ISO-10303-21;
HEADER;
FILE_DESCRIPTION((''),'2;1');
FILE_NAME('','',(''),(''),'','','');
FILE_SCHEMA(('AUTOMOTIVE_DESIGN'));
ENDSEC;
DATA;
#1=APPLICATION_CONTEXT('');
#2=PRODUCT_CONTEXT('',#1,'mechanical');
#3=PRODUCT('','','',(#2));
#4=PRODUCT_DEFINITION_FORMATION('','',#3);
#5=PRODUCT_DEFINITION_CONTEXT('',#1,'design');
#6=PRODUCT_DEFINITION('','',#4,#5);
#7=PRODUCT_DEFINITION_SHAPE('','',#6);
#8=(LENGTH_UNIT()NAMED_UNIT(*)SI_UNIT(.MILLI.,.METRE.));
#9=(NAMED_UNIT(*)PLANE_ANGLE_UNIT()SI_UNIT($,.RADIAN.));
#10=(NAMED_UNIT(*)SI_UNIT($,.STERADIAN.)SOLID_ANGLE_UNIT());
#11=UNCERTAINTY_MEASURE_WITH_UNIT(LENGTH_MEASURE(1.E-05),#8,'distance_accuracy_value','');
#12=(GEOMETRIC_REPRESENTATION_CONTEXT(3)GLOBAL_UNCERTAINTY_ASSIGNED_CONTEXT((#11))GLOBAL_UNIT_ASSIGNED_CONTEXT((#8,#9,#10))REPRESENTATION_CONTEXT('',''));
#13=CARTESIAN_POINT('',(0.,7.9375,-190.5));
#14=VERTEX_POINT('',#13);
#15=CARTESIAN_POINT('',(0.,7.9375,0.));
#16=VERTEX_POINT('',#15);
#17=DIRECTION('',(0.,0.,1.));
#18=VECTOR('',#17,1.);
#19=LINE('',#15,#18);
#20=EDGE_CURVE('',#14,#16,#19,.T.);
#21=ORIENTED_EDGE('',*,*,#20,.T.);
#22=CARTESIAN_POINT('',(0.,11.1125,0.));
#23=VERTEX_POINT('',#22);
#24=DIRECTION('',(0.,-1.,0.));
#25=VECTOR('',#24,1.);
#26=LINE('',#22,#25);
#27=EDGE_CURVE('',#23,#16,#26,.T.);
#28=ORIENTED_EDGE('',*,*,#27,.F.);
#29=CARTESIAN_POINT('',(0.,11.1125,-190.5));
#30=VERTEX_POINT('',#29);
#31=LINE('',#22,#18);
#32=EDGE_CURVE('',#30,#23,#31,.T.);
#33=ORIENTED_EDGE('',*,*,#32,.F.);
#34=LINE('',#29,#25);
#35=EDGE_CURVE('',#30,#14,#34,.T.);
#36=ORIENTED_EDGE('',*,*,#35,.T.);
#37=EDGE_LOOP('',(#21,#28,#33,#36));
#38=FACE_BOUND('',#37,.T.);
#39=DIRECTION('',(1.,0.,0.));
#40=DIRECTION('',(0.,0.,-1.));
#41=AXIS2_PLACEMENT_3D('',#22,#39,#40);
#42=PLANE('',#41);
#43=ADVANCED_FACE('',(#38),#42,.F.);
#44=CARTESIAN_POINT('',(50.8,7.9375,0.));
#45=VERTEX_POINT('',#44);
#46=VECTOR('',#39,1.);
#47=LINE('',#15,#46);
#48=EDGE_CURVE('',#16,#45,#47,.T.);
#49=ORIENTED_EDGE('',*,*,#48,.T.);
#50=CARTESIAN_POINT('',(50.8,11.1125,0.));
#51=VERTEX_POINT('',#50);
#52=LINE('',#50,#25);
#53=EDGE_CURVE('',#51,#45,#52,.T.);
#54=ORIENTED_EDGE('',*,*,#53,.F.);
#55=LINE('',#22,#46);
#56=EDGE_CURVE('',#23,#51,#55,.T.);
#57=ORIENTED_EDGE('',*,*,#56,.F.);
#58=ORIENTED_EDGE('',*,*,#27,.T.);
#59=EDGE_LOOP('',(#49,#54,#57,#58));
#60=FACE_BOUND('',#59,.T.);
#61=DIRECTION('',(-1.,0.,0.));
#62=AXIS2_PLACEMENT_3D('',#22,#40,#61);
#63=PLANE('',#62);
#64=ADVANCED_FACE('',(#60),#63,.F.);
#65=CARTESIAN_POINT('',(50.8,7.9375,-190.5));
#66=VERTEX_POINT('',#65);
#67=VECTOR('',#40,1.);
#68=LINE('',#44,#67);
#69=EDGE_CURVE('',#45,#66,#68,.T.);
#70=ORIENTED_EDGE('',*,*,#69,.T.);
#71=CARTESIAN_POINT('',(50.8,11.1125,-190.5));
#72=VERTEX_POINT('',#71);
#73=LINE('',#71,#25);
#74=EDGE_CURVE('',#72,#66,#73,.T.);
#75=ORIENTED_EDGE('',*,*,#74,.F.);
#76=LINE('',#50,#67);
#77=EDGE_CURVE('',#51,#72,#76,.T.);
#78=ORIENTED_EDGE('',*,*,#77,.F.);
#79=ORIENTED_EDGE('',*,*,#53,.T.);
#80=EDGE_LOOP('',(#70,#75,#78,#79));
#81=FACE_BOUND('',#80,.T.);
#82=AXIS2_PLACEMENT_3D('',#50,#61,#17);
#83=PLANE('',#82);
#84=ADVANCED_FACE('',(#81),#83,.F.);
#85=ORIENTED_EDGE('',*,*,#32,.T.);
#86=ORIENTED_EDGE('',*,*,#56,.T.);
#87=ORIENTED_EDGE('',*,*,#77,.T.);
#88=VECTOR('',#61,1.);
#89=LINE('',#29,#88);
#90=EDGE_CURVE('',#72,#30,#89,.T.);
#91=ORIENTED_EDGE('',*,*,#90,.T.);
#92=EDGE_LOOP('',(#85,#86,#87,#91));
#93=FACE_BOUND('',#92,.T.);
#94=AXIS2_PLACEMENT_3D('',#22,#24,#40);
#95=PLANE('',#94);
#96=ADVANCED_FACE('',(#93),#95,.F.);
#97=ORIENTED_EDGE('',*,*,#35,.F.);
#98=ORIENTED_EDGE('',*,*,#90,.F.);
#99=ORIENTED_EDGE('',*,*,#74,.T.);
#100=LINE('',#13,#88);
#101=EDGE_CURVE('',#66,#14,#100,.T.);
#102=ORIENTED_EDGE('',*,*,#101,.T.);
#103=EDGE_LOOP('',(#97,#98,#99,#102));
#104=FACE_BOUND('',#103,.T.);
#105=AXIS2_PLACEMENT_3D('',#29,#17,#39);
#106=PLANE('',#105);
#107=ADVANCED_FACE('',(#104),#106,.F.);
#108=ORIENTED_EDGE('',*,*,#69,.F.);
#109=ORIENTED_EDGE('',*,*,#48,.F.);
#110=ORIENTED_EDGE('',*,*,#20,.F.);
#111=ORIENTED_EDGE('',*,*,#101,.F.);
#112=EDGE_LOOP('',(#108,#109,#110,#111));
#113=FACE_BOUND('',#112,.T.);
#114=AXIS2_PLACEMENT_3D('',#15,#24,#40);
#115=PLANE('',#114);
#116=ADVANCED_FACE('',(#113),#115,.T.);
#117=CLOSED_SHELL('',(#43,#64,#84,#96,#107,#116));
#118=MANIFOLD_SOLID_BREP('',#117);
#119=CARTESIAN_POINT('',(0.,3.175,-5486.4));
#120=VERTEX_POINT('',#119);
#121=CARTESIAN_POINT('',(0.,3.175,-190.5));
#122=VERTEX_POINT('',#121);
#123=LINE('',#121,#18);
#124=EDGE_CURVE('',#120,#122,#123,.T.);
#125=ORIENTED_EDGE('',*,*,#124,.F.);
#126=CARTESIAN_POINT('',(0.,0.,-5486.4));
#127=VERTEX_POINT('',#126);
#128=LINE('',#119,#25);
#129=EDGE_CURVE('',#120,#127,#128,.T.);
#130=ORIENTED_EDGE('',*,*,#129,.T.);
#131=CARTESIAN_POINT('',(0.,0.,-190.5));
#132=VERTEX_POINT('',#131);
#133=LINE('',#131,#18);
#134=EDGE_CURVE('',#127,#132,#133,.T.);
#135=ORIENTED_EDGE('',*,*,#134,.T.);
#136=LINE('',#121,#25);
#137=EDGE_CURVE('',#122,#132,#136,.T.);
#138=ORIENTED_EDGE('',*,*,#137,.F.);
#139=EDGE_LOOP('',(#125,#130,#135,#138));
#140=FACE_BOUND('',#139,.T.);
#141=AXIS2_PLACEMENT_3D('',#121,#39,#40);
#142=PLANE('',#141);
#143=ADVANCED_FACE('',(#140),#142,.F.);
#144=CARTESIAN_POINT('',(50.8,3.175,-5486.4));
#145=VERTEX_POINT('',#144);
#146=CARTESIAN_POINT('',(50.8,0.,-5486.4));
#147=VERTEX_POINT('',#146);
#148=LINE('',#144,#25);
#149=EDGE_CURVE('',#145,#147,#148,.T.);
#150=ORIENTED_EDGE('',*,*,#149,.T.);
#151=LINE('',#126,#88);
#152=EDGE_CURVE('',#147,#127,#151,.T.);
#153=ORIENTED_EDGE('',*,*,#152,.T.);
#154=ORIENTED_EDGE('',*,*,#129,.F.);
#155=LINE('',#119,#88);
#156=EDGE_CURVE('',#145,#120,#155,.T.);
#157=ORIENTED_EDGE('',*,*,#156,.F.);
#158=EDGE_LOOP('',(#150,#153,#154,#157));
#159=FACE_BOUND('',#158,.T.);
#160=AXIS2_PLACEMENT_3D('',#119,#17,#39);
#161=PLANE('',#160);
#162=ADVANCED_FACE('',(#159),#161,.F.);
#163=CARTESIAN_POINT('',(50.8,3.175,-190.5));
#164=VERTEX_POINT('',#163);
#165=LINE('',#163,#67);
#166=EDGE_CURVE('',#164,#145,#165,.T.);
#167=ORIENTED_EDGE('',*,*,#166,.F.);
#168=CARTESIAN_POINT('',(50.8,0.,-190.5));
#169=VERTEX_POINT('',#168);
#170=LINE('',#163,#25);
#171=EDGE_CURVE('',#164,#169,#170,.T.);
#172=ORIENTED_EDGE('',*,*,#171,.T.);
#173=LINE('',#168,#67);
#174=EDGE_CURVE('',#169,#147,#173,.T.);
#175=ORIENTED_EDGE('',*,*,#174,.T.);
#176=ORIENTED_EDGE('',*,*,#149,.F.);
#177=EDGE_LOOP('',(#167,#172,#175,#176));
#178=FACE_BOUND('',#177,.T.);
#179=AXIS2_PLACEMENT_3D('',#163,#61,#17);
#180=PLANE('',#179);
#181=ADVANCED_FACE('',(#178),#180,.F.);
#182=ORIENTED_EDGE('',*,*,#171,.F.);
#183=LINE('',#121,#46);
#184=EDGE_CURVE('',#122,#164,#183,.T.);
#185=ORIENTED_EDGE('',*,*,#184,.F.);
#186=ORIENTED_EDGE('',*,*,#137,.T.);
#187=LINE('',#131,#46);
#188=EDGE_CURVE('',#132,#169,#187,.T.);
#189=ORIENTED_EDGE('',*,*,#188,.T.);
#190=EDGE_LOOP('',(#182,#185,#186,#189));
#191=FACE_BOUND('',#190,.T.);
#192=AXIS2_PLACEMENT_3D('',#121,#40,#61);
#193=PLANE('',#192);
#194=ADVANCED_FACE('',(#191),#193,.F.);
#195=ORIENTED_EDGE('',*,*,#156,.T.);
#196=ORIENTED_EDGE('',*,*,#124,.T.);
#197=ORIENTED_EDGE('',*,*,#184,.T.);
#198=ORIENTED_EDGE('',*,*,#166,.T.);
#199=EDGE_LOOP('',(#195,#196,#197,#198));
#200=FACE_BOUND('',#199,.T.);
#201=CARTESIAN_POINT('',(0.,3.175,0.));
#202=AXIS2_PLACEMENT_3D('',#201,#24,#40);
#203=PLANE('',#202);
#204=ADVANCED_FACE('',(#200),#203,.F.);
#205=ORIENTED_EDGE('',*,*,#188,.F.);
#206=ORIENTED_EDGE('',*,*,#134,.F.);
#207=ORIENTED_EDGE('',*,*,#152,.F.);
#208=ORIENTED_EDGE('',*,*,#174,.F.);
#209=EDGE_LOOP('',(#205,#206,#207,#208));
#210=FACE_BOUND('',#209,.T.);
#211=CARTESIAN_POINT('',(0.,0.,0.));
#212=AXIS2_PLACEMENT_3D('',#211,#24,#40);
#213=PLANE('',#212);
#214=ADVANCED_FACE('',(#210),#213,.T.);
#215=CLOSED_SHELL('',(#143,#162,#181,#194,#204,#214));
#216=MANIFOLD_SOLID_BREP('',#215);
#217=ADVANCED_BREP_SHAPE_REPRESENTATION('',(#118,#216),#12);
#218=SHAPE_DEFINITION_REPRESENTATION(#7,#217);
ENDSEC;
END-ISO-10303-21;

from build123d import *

# Parameters (mm, degrees)
SKETCH1_W           = 50.8
SKETCH1_H           = 5295.9
BOSS_EXTRUDE1_DEPTH = 3.175
SKETCH2_W           = 50.8
SKETCH2_H           = 190.5
BOSS_EXTRUDE2_DEPTH = 3.175


with BuildPart() as part:
    # Sketch1 → Boss-Extrude1 (new body)
    with BuildSketch(Plane(origin=(0, 0, 0), x_dir=(1, 0, 0), z_dir=(0, 1, 0))):
        with Locations((25.4, 2838.45)):
            Rectangle(SKETCH1_W, SKETCH1_H)
    extrude(amount=BOSS_EXTRUDE1_DEPTH)


with BuildPart() as body_2:
    # Sketch2 → Boss-Extrude2 (new body)
    with BuildSketch(Plane(origin=(0, 7.9375, 0), x_dir=(1, 0, 0), z_dir=(0, 1, 0))):
        with Locations((25.4, 95.25)):
            Rectangle(SKETCH2_W, SKETCH2_H)
    extrude(amount=BOSS_EXTRUDE2_DEPTH)


solid = Compound([part.part, body_2.part])
